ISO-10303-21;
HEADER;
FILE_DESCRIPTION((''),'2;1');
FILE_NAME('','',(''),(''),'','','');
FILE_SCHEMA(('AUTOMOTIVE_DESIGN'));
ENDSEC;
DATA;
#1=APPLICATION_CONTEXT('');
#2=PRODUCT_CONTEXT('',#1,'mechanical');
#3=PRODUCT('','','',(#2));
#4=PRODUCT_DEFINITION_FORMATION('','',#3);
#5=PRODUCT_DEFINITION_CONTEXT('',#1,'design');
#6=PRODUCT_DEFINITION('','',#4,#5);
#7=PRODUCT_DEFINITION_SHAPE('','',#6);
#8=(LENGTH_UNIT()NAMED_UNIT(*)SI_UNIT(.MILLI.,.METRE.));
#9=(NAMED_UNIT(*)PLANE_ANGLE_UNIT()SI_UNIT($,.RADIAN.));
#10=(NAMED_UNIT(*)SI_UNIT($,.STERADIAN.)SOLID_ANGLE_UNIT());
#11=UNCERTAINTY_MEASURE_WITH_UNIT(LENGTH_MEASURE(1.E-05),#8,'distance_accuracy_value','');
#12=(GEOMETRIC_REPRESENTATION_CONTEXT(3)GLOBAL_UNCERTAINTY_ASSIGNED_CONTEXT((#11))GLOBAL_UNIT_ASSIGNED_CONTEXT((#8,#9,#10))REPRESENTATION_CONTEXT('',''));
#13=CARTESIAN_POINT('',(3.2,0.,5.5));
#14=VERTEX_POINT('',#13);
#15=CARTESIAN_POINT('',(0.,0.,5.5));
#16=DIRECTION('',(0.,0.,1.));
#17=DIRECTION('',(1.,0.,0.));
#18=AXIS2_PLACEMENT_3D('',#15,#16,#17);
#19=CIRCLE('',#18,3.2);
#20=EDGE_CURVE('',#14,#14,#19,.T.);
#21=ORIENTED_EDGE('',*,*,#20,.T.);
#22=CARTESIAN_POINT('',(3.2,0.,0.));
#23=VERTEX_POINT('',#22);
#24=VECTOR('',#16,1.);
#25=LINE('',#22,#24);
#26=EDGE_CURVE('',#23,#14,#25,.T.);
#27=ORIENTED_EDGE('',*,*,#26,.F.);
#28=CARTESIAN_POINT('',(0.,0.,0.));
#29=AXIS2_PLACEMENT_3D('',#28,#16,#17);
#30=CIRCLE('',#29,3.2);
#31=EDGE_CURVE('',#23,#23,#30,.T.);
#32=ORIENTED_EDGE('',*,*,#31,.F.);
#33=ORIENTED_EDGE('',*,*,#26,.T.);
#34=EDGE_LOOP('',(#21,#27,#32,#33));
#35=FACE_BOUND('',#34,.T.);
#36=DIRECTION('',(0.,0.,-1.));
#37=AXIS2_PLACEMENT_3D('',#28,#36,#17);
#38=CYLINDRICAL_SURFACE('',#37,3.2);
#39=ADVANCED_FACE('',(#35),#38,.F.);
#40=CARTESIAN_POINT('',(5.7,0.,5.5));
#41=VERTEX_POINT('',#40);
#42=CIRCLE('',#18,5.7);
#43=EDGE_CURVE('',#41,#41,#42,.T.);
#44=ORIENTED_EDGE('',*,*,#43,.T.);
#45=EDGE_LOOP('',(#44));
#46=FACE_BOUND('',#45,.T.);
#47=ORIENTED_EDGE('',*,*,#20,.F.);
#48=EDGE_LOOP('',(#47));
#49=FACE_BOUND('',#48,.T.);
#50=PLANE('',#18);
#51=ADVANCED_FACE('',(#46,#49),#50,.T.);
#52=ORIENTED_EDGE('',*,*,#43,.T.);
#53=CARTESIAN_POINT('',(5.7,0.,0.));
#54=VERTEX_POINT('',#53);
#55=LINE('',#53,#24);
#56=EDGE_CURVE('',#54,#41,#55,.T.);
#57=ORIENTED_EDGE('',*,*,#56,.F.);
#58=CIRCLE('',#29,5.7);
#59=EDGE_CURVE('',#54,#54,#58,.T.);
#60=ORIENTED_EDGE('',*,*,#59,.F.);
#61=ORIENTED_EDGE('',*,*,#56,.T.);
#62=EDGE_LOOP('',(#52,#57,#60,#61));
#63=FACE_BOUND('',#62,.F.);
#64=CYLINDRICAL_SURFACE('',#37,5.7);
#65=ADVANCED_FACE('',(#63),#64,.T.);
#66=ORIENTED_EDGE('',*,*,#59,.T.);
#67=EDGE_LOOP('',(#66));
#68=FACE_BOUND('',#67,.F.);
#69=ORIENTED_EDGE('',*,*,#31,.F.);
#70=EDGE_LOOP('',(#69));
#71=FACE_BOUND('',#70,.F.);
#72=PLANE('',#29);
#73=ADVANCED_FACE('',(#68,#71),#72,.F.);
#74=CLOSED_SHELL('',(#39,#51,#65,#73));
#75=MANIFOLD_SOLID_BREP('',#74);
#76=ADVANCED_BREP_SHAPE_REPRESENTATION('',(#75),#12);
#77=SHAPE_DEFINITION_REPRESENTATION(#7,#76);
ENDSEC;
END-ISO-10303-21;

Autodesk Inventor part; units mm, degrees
ref_plane "YZ Plane" through (0, 0, 0) normal (1, 0, 0) x (0, 1, 0)
ref_plane "XZ Plane" through (0, 0, 0) normal (0, 1, 0) x (-1, 0, 0)
ref_plane "XY Plane" through (0, 0, 0) normal (0, 0, 1) x (1, 0, 0)
sketch "Sketch1" plane through (0, 0, 0) normal (0, 0, 1) x (1, 0, 0)
  circle A0 centre (0, 0) radius 3.2
  circle A1 centre (0, 0) radius 5.7
  dimension "d0" = 6.4
  dimension "d1" = 11.4
extrude "Extrusion1" add sketch "Sketch1" along normal blind 5.5
properties part number "HINGE BUSH" material "Stainless Steel"
